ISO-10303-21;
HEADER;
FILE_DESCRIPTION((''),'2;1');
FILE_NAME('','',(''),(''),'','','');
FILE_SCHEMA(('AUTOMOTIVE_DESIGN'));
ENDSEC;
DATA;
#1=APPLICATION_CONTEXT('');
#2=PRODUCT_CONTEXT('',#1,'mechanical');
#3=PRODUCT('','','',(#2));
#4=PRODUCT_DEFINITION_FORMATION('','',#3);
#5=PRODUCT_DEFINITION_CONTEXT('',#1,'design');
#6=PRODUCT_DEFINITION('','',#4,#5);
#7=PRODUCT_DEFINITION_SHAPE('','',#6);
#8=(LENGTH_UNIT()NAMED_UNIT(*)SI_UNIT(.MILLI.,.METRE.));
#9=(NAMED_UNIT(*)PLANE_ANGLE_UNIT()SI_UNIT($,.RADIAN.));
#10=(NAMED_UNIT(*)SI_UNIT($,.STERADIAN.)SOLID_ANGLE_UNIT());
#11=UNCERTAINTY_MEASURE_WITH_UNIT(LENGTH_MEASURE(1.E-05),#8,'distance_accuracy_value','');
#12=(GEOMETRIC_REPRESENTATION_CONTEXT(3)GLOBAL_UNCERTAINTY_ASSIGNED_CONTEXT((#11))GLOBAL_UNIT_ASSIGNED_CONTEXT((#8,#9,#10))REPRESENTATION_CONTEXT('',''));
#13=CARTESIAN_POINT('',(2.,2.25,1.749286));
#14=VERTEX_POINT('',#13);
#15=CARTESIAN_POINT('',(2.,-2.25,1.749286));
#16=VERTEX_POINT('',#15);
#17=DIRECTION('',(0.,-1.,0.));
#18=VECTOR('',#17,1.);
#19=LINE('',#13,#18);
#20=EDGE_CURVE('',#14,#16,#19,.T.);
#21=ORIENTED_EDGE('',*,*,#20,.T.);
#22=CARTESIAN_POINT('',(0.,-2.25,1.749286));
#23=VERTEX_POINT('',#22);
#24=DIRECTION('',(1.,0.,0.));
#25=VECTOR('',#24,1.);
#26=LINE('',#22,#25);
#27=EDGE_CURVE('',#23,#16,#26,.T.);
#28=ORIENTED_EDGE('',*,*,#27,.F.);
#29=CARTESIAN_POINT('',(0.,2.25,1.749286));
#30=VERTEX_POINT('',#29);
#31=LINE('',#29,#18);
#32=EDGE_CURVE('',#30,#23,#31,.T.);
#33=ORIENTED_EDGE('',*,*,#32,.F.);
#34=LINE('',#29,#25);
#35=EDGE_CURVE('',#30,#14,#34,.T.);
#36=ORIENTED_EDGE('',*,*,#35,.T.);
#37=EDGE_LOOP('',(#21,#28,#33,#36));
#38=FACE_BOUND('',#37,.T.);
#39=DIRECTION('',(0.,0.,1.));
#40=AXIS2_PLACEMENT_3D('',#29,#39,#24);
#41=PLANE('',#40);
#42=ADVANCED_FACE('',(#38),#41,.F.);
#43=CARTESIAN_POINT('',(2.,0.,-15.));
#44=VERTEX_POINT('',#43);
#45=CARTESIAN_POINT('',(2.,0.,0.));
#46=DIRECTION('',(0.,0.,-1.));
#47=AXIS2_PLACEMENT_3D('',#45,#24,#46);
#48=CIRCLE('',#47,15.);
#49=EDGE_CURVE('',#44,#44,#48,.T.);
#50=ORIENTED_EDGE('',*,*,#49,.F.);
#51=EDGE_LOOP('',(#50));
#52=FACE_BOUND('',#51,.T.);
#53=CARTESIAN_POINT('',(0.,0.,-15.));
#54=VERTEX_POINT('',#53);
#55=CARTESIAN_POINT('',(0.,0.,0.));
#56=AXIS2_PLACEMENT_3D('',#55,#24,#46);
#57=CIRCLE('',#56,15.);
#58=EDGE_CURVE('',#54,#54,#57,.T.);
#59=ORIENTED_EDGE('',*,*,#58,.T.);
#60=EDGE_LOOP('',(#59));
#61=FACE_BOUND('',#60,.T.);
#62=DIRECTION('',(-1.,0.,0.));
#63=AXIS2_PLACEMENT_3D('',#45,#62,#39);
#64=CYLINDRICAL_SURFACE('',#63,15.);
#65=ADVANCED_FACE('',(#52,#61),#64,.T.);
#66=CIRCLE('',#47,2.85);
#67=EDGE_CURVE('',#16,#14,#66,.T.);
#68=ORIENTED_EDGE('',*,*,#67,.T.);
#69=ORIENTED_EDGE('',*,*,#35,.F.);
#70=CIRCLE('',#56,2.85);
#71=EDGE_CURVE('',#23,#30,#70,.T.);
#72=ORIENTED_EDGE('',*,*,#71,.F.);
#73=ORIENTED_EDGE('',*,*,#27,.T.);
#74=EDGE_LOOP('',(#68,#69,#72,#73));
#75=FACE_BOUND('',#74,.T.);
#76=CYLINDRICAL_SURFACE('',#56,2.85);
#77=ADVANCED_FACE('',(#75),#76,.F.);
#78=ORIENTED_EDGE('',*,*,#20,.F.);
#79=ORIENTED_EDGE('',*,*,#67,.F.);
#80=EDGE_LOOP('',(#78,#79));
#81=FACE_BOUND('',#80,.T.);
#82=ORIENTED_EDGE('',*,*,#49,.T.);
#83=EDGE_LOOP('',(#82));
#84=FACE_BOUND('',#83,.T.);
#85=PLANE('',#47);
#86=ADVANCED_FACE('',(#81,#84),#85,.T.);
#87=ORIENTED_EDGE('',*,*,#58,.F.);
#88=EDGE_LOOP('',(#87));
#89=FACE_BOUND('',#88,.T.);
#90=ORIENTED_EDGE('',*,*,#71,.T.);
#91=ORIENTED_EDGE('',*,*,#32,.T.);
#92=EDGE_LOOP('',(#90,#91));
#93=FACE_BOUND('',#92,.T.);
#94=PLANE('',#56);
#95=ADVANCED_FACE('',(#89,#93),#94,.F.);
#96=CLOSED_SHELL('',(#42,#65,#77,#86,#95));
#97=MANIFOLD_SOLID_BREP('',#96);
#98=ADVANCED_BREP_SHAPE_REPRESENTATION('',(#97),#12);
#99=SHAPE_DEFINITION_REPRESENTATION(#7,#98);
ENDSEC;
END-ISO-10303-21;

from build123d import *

# Parameters (mm, degrees)
SKETCH1_R           = 15
BOSS_EXTRUDE1_DEPTH = 2
CUT_EXTRUDE1_DEPTH  = 3


with BuildPart() as part:
    # Sketch1 → Boss-Extrude1 (new body)
    with BuildSketch(Plane(origin=(0, 0, 0), x_dir=(0, 0, -1), z_dir=(1, 0, 0))):
        Circle(SKETCH1_R)
    extrude(amount=BOSS_EXTRUDE1_DEPTH)

    # Sketch2 → Cut-Extrude1 (cut, through all)
    with BuildSketch(Plane(origin=(2, 0, 0), x_dir=(0, 0, -1), z_dir=(1, 0, 0))):
        with BuildLine():
            Line((-1.749285568, 2.25), (-1.749285568, -2.25))
            ThreePointArc((-1.749285568, -2.25), (2.85, 0), (-1.749285568, 2.25))
        make_face()
    extrude(amount=-CUT_EXTRUDE1_DEPTH, mode=Mode.SUBTRACT)


solid = part.part
